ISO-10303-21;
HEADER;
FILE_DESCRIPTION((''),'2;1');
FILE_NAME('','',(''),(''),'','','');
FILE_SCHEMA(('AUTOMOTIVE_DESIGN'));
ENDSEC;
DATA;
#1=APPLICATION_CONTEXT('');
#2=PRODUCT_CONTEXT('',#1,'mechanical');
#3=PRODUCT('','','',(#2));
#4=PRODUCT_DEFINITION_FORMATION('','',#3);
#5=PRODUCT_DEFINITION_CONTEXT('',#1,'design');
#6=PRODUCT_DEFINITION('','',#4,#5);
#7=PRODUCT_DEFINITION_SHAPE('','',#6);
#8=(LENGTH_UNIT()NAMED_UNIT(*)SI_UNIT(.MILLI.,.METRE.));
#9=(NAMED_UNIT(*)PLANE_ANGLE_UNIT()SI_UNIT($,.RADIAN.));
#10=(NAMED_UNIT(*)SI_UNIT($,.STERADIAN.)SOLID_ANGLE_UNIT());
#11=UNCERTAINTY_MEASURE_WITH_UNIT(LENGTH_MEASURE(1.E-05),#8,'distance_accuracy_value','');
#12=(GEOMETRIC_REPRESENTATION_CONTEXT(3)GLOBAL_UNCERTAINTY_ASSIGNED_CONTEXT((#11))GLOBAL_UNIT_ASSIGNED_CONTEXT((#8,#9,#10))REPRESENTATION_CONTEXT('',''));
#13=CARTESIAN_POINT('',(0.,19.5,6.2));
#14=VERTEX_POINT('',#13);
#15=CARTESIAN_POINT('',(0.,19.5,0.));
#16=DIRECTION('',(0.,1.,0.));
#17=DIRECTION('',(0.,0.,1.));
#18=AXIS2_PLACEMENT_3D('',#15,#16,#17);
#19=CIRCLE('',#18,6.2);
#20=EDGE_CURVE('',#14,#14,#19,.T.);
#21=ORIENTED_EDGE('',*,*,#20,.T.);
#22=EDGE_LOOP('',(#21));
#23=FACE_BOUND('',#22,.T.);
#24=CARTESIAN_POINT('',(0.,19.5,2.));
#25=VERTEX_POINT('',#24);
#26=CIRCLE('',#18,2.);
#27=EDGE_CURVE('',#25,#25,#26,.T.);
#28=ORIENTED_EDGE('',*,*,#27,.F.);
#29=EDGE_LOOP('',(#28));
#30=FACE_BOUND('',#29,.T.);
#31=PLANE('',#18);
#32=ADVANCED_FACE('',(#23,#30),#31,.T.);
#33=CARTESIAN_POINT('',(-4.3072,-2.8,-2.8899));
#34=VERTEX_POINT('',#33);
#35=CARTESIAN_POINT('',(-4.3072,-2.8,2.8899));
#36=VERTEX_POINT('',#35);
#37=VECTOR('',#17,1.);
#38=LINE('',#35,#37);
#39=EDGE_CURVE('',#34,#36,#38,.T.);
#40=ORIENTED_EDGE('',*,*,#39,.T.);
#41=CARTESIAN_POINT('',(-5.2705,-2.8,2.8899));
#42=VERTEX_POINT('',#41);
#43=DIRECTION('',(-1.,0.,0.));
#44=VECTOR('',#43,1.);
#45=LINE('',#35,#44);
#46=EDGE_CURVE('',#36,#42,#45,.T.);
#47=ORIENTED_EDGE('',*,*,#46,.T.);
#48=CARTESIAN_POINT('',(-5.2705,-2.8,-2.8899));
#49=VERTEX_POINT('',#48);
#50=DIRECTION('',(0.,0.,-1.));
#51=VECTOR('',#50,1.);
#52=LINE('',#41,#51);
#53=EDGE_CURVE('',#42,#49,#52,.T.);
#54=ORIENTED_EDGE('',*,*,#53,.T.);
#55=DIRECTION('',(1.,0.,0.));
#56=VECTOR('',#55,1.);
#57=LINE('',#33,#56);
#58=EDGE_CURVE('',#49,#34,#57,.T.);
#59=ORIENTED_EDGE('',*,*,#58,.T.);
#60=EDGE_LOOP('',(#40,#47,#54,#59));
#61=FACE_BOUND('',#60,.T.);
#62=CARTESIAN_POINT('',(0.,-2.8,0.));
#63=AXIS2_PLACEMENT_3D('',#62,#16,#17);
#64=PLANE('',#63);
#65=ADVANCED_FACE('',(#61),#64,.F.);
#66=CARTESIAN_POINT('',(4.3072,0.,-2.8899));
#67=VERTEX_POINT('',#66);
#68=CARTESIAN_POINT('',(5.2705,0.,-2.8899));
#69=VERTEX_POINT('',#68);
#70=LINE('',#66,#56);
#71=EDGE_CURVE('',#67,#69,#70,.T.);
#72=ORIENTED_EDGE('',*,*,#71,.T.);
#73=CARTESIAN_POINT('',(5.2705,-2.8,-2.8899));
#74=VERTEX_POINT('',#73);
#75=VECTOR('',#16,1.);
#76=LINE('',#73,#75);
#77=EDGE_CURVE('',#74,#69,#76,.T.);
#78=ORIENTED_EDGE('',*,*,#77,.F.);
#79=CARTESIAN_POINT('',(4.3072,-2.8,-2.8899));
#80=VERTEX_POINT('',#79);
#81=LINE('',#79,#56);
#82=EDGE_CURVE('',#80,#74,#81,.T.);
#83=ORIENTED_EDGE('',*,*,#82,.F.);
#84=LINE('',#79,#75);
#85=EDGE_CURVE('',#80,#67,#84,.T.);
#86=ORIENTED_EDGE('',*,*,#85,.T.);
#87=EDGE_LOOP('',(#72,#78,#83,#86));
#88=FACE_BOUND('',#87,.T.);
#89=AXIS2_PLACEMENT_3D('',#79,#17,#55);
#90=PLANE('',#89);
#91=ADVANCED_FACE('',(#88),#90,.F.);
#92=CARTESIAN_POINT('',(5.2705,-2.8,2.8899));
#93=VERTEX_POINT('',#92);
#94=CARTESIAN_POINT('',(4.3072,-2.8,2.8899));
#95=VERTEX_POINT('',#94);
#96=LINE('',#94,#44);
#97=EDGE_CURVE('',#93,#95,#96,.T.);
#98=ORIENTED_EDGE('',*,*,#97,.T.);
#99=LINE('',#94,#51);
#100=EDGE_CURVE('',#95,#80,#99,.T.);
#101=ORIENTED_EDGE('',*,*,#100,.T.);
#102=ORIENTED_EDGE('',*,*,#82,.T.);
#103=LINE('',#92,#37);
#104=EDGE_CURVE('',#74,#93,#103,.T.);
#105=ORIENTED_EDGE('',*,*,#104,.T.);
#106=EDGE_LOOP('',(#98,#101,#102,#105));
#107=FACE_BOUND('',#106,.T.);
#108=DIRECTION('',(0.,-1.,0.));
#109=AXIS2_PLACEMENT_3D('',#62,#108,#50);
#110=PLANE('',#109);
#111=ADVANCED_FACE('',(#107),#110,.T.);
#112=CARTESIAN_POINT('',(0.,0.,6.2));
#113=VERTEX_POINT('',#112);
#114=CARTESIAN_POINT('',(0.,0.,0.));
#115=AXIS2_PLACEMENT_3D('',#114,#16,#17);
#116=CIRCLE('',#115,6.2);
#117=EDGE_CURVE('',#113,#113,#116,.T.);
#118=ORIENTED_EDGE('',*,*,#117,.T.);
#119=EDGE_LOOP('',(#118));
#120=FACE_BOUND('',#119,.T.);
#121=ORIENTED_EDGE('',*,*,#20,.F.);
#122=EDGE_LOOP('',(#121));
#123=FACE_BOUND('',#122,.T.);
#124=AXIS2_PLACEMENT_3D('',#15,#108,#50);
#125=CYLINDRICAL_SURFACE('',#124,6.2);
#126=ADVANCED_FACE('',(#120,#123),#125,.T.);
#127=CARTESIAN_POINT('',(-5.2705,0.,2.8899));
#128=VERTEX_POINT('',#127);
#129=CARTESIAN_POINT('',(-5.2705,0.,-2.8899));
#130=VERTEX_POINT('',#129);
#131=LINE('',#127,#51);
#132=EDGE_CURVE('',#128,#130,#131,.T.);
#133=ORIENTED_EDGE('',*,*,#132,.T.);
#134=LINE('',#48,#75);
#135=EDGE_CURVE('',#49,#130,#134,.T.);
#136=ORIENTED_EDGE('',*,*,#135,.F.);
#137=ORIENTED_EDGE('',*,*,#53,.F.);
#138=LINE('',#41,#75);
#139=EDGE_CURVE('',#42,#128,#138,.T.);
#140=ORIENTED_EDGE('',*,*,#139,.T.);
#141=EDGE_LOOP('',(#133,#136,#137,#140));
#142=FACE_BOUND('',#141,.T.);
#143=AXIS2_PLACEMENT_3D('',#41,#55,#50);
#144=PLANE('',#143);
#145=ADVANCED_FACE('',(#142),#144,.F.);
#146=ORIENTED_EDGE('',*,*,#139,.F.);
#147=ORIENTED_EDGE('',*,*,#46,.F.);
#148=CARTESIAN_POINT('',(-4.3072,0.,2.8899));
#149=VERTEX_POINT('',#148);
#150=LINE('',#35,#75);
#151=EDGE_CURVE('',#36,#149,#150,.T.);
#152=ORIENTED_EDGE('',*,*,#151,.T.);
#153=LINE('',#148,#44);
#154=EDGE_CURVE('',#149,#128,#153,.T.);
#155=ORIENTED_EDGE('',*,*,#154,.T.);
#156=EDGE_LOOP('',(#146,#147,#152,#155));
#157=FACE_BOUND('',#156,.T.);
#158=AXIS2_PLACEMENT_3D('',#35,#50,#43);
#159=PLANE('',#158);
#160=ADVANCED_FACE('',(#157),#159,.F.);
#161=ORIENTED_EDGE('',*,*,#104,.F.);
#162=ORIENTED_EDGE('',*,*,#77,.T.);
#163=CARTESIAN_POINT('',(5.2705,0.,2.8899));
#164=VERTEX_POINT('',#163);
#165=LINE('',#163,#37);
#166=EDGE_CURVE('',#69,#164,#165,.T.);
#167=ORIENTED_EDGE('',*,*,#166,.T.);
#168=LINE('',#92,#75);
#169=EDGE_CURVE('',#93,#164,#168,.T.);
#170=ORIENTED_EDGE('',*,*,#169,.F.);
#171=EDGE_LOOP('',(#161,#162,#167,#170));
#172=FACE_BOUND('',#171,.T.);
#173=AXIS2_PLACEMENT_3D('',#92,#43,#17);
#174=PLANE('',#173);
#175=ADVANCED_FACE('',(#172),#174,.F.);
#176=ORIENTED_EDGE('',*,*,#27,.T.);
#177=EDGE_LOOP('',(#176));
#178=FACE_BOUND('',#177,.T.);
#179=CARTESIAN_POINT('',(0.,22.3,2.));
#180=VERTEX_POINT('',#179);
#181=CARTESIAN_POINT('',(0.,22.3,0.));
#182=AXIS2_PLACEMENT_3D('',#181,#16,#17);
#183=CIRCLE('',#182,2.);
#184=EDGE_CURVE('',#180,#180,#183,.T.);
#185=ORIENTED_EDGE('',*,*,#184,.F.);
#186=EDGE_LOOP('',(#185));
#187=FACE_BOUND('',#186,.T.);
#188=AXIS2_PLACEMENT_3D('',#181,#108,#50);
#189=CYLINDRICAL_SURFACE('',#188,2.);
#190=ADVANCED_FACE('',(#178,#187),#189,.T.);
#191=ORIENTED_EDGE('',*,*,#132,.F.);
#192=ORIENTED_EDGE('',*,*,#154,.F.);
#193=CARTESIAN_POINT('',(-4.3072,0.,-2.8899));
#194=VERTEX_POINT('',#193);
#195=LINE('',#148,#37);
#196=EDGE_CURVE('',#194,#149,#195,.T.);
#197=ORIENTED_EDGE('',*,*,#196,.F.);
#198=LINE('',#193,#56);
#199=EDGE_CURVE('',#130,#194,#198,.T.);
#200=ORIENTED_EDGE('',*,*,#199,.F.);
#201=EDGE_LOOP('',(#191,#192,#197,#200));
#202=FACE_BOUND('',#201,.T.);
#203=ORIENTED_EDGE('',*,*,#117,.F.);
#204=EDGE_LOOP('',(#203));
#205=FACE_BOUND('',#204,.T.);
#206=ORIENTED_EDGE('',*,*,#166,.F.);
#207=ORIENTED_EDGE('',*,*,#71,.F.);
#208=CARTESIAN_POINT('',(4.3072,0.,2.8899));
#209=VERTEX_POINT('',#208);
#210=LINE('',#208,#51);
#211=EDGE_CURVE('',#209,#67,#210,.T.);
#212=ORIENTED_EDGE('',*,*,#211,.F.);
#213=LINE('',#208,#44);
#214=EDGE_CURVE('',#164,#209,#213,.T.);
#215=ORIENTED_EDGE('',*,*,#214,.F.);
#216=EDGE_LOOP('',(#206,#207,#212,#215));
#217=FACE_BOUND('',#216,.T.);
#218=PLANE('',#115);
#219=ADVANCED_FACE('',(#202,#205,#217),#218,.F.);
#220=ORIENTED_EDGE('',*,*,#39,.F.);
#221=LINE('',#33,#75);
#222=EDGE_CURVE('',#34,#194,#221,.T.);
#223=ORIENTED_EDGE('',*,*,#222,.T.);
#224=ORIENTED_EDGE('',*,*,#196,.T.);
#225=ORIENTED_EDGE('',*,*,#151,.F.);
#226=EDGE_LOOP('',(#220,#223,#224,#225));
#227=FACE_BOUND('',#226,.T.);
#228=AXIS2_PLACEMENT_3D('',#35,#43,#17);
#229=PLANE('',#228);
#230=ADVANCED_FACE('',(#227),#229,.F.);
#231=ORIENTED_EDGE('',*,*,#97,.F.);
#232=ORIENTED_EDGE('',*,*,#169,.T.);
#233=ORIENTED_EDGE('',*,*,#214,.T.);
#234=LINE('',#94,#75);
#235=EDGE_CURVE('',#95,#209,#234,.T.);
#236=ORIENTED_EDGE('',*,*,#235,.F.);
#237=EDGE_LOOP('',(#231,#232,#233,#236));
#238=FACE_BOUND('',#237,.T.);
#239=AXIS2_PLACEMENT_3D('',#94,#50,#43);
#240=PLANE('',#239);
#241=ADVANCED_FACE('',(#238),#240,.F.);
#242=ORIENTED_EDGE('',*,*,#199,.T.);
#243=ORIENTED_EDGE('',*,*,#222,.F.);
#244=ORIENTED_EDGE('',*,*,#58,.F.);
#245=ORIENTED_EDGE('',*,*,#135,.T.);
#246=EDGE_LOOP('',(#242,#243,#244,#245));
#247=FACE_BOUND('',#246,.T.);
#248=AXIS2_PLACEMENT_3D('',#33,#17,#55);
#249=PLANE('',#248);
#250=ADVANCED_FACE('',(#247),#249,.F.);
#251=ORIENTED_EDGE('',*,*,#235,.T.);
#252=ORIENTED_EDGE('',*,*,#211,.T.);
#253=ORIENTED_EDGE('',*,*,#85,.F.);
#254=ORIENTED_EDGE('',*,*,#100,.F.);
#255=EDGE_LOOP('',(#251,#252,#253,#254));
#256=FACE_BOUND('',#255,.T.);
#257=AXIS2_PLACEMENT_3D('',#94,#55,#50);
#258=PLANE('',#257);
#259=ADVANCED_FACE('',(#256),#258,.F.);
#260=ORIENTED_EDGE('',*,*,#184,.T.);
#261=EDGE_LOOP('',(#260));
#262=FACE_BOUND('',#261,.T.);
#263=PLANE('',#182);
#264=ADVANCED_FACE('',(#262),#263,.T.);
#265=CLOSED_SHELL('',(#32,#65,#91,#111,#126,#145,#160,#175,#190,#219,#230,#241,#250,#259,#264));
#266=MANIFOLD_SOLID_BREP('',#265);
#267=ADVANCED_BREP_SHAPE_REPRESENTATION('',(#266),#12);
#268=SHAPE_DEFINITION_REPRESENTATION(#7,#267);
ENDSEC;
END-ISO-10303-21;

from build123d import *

# Parameters (mm, degrees)
SKETCH1_R           = 6.2
BOSS_EXTRUDE1_DEPTH = 19.5
SKETCH2_R           = 2
BOSS_EXTRUDE2_DEPTH = 2.8
SKETCH3_W           = 0.9633
SKETCH3_H           = 5.7798
BOSS_EXTRUDE3_DEPTH = 2.8


with BuildPart() as part:
    # Sketch1 → Boss-Extrude1 (new body)
    with BuildSketch(Plane(origin=(0, 0, 0), x_dir=(1, 0, 0), z_dir=(0, 1, 0))):
        with Locations(Location((0, 0, 0), (0, 0, 270))):
            Circle(SKETCH1_R)
    extrude(amount=BOSS_EXTRUDE1_DEPTH)

    # Sketch2 → Boss-Extrude2 (add)
    with BuildSketch(Plane(origin=(0, 19.5, 0), x_dir=(1, 0, 0), z_dir=(0, 1, 0))):
        with Locations(Location((0, 0, 0), (0, 0, 270))):
            Circle(SKETCH2_R)
    extrude(amount=BOSS_EXTRUDE2_DEPTH)

    # Sketch3 → Boss-Extrude3 (add)
    with BuildSketch(Plane.XZ):
        with Locations((4.78885, 0)):
            Rectangle(SKETCH3_W, SKETCH3_H)
        with Locations((-4.78885, 0)):
            Rectangle(SKETCH3_W, SKETCH3_H)
    extrude(amount=BOSS_EXTRUDE3_DEPTH)


solid = part.part
